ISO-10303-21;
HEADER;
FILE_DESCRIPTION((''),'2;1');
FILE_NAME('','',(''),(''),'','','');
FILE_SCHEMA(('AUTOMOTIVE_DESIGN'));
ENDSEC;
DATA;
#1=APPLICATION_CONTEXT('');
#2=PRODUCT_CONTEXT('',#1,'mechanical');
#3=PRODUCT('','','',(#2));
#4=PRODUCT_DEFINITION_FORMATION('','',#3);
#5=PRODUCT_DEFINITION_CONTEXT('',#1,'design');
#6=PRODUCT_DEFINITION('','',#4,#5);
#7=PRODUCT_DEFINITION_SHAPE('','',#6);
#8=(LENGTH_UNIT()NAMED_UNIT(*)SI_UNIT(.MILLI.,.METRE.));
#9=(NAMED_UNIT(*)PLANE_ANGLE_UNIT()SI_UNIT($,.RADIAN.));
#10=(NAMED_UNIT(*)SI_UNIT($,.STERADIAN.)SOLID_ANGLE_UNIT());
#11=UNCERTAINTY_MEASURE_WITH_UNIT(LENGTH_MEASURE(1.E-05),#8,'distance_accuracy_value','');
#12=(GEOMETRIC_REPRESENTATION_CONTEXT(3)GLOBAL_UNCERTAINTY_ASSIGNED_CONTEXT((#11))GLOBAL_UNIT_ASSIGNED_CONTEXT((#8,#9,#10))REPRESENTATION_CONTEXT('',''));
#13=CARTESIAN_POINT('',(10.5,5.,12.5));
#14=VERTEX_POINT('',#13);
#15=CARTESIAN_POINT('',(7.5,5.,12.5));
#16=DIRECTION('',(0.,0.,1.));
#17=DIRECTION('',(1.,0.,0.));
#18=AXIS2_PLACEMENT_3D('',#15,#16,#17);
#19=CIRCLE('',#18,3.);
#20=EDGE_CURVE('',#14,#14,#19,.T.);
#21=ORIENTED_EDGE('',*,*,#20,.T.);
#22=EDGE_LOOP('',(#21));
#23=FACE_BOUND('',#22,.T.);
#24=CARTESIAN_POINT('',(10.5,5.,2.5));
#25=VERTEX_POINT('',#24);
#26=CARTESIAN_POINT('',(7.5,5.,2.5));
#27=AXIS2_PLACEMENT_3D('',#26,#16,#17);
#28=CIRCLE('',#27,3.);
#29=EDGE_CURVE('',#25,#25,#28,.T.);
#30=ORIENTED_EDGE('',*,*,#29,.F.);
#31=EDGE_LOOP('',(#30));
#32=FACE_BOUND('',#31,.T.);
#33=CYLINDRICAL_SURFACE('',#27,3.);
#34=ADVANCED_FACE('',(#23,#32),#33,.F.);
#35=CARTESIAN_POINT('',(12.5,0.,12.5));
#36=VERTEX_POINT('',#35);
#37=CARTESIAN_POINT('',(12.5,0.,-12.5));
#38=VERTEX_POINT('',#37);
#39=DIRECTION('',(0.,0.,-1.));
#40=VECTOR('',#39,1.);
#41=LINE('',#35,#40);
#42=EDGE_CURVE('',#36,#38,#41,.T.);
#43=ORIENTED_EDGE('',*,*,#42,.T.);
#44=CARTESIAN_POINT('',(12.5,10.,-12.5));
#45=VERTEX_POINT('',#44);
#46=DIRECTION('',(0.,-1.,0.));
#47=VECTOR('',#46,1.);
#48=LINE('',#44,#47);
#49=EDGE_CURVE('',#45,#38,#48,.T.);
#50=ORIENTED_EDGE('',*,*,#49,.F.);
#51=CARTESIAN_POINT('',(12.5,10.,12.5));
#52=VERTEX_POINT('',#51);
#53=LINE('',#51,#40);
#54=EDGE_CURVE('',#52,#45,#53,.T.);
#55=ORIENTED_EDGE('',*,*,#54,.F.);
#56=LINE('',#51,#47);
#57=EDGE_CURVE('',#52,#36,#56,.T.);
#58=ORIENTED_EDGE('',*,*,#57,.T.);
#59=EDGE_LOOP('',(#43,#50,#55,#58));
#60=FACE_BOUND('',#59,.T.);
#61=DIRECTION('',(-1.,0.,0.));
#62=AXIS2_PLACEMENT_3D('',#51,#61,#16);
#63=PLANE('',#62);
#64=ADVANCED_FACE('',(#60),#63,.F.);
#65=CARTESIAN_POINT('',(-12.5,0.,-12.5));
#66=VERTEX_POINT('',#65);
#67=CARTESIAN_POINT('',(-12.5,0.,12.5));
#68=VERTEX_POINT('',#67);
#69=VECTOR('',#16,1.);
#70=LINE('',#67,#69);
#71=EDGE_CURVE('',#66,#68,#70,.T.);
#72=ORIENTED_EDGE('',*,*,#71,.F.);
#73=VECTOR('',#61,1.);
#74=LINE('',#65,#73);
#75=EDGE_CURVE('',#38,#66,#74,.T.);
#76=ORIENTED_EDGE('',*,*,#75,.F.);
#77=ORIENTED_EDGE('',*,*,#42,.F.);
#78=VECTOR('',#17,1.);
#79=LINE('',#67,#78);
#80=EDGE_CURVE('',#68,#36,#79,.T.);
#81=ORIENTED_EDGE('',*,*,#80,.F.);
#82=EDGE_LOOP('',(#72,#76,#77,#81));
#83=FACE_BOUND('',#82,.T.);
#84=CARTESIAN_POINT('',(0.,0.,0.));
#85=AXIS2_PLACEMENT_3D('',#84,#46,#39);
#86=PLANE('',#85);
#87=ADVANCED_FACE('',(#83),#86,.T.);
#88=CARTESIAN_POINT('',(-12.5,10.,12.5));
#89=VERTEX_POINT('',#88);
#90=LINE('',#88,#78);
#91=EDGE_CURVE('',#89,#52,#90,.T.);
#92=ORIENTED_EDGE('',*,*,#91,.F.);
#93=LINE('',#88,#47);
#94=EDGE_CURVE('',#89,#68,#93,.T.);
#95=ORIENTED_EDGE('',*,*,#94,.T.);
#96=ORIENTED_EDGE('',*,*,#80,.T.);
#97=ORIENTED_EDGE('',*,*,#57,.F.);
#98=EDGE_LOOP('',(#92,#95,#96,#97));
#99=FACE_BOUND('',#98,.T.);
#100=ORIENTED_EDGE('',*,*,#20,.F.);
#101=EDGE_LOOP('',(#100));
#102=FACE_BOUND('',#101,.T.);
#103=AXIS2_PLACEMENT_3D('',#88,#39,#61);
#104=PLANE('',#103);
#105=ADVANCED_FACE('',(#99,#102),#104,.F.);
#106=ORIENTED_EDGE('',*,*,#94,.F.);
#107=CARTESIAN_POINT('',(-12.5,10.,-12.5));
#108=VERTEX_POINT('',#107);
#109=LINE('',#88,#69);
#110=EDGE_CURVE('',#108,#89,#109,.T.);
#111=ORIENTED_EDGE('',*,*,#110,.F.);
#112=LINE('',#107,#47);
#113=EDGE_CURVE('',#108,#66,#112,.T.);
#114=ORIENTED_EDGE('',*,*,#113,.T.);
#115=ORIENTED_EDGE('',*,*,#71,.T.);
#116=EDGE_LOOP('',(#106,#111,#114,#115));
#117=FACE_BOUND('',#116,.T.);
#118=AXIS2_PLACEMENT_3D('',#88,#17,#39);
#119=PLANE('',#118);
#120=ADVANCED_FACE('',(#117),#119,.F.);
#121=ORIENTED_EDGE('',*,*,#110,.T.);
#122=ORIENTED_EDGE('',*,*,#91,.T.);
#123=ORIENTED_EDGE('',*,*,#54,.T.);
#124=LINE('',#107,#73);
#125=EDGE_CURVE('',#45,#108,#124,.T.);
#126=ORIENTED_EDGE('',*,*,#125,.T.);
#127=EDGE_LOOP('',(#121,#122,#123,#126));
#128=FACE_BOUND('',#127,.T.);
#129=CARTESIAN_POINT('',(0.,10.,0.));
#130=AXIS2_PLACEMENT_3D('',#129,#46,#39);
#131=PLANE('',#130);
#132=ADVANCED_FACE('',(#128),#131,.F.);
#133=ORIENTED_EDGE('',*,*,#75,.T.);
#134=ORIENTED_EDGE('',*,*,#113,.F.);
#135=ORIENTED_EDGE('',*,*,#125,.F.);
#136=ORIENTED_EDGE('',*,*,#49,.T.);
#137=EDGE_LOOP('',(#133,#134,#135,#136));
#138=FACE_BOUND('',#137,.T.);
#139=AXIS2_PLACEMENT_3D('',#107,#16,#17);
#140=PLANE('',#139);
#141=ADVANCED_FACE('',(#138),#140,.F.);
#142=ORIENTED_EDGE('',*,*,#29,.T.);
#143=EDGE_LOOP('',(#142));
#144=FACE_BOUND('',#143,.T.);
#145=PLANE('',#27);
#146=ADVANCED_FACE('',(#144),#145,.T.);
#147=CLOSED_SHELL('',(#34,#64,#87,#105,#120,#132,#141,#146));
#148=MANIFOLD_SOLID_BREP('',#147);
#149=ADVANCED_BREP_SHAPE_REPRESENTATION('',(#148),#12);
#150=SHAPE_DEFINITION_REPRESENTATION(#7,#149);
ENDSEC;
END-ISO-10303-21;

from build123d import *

# Parameters (mm, degrees)
SKETCH1_W           = 25
SKETCH1_H           = 25
BOSS_EXTRUDE1_DEPTH = 10
SKETCH2_R           = 3
CUT_EXTRUDE1_DEPTH  = 10


with BuildPart() as part:
    # Sketch1 → Boss-Extrude1 (new body)
    with BuildSketch(Plane(origin=(0, 0, 0), x_dir=(1, 0, 0), z_dir=(0, 1, 0))):
        Rectangle(SKETCH1_W, SKETCH1_H)
    extrude(amount=BOSS_EXTRUDE1_DEPTH)

    # Sketch2 → Cut-Extrude1 (cut)
    with BuildSketch(Plane.XY.offset(12.5)):
        with Locations((7.5, 5)):
            Circle(SKETCH2_R)
    extrude(amount=-CUT_EXTRUDE1_DEPTH, mode=Mode.SUBTRACT)


solid = part.part
